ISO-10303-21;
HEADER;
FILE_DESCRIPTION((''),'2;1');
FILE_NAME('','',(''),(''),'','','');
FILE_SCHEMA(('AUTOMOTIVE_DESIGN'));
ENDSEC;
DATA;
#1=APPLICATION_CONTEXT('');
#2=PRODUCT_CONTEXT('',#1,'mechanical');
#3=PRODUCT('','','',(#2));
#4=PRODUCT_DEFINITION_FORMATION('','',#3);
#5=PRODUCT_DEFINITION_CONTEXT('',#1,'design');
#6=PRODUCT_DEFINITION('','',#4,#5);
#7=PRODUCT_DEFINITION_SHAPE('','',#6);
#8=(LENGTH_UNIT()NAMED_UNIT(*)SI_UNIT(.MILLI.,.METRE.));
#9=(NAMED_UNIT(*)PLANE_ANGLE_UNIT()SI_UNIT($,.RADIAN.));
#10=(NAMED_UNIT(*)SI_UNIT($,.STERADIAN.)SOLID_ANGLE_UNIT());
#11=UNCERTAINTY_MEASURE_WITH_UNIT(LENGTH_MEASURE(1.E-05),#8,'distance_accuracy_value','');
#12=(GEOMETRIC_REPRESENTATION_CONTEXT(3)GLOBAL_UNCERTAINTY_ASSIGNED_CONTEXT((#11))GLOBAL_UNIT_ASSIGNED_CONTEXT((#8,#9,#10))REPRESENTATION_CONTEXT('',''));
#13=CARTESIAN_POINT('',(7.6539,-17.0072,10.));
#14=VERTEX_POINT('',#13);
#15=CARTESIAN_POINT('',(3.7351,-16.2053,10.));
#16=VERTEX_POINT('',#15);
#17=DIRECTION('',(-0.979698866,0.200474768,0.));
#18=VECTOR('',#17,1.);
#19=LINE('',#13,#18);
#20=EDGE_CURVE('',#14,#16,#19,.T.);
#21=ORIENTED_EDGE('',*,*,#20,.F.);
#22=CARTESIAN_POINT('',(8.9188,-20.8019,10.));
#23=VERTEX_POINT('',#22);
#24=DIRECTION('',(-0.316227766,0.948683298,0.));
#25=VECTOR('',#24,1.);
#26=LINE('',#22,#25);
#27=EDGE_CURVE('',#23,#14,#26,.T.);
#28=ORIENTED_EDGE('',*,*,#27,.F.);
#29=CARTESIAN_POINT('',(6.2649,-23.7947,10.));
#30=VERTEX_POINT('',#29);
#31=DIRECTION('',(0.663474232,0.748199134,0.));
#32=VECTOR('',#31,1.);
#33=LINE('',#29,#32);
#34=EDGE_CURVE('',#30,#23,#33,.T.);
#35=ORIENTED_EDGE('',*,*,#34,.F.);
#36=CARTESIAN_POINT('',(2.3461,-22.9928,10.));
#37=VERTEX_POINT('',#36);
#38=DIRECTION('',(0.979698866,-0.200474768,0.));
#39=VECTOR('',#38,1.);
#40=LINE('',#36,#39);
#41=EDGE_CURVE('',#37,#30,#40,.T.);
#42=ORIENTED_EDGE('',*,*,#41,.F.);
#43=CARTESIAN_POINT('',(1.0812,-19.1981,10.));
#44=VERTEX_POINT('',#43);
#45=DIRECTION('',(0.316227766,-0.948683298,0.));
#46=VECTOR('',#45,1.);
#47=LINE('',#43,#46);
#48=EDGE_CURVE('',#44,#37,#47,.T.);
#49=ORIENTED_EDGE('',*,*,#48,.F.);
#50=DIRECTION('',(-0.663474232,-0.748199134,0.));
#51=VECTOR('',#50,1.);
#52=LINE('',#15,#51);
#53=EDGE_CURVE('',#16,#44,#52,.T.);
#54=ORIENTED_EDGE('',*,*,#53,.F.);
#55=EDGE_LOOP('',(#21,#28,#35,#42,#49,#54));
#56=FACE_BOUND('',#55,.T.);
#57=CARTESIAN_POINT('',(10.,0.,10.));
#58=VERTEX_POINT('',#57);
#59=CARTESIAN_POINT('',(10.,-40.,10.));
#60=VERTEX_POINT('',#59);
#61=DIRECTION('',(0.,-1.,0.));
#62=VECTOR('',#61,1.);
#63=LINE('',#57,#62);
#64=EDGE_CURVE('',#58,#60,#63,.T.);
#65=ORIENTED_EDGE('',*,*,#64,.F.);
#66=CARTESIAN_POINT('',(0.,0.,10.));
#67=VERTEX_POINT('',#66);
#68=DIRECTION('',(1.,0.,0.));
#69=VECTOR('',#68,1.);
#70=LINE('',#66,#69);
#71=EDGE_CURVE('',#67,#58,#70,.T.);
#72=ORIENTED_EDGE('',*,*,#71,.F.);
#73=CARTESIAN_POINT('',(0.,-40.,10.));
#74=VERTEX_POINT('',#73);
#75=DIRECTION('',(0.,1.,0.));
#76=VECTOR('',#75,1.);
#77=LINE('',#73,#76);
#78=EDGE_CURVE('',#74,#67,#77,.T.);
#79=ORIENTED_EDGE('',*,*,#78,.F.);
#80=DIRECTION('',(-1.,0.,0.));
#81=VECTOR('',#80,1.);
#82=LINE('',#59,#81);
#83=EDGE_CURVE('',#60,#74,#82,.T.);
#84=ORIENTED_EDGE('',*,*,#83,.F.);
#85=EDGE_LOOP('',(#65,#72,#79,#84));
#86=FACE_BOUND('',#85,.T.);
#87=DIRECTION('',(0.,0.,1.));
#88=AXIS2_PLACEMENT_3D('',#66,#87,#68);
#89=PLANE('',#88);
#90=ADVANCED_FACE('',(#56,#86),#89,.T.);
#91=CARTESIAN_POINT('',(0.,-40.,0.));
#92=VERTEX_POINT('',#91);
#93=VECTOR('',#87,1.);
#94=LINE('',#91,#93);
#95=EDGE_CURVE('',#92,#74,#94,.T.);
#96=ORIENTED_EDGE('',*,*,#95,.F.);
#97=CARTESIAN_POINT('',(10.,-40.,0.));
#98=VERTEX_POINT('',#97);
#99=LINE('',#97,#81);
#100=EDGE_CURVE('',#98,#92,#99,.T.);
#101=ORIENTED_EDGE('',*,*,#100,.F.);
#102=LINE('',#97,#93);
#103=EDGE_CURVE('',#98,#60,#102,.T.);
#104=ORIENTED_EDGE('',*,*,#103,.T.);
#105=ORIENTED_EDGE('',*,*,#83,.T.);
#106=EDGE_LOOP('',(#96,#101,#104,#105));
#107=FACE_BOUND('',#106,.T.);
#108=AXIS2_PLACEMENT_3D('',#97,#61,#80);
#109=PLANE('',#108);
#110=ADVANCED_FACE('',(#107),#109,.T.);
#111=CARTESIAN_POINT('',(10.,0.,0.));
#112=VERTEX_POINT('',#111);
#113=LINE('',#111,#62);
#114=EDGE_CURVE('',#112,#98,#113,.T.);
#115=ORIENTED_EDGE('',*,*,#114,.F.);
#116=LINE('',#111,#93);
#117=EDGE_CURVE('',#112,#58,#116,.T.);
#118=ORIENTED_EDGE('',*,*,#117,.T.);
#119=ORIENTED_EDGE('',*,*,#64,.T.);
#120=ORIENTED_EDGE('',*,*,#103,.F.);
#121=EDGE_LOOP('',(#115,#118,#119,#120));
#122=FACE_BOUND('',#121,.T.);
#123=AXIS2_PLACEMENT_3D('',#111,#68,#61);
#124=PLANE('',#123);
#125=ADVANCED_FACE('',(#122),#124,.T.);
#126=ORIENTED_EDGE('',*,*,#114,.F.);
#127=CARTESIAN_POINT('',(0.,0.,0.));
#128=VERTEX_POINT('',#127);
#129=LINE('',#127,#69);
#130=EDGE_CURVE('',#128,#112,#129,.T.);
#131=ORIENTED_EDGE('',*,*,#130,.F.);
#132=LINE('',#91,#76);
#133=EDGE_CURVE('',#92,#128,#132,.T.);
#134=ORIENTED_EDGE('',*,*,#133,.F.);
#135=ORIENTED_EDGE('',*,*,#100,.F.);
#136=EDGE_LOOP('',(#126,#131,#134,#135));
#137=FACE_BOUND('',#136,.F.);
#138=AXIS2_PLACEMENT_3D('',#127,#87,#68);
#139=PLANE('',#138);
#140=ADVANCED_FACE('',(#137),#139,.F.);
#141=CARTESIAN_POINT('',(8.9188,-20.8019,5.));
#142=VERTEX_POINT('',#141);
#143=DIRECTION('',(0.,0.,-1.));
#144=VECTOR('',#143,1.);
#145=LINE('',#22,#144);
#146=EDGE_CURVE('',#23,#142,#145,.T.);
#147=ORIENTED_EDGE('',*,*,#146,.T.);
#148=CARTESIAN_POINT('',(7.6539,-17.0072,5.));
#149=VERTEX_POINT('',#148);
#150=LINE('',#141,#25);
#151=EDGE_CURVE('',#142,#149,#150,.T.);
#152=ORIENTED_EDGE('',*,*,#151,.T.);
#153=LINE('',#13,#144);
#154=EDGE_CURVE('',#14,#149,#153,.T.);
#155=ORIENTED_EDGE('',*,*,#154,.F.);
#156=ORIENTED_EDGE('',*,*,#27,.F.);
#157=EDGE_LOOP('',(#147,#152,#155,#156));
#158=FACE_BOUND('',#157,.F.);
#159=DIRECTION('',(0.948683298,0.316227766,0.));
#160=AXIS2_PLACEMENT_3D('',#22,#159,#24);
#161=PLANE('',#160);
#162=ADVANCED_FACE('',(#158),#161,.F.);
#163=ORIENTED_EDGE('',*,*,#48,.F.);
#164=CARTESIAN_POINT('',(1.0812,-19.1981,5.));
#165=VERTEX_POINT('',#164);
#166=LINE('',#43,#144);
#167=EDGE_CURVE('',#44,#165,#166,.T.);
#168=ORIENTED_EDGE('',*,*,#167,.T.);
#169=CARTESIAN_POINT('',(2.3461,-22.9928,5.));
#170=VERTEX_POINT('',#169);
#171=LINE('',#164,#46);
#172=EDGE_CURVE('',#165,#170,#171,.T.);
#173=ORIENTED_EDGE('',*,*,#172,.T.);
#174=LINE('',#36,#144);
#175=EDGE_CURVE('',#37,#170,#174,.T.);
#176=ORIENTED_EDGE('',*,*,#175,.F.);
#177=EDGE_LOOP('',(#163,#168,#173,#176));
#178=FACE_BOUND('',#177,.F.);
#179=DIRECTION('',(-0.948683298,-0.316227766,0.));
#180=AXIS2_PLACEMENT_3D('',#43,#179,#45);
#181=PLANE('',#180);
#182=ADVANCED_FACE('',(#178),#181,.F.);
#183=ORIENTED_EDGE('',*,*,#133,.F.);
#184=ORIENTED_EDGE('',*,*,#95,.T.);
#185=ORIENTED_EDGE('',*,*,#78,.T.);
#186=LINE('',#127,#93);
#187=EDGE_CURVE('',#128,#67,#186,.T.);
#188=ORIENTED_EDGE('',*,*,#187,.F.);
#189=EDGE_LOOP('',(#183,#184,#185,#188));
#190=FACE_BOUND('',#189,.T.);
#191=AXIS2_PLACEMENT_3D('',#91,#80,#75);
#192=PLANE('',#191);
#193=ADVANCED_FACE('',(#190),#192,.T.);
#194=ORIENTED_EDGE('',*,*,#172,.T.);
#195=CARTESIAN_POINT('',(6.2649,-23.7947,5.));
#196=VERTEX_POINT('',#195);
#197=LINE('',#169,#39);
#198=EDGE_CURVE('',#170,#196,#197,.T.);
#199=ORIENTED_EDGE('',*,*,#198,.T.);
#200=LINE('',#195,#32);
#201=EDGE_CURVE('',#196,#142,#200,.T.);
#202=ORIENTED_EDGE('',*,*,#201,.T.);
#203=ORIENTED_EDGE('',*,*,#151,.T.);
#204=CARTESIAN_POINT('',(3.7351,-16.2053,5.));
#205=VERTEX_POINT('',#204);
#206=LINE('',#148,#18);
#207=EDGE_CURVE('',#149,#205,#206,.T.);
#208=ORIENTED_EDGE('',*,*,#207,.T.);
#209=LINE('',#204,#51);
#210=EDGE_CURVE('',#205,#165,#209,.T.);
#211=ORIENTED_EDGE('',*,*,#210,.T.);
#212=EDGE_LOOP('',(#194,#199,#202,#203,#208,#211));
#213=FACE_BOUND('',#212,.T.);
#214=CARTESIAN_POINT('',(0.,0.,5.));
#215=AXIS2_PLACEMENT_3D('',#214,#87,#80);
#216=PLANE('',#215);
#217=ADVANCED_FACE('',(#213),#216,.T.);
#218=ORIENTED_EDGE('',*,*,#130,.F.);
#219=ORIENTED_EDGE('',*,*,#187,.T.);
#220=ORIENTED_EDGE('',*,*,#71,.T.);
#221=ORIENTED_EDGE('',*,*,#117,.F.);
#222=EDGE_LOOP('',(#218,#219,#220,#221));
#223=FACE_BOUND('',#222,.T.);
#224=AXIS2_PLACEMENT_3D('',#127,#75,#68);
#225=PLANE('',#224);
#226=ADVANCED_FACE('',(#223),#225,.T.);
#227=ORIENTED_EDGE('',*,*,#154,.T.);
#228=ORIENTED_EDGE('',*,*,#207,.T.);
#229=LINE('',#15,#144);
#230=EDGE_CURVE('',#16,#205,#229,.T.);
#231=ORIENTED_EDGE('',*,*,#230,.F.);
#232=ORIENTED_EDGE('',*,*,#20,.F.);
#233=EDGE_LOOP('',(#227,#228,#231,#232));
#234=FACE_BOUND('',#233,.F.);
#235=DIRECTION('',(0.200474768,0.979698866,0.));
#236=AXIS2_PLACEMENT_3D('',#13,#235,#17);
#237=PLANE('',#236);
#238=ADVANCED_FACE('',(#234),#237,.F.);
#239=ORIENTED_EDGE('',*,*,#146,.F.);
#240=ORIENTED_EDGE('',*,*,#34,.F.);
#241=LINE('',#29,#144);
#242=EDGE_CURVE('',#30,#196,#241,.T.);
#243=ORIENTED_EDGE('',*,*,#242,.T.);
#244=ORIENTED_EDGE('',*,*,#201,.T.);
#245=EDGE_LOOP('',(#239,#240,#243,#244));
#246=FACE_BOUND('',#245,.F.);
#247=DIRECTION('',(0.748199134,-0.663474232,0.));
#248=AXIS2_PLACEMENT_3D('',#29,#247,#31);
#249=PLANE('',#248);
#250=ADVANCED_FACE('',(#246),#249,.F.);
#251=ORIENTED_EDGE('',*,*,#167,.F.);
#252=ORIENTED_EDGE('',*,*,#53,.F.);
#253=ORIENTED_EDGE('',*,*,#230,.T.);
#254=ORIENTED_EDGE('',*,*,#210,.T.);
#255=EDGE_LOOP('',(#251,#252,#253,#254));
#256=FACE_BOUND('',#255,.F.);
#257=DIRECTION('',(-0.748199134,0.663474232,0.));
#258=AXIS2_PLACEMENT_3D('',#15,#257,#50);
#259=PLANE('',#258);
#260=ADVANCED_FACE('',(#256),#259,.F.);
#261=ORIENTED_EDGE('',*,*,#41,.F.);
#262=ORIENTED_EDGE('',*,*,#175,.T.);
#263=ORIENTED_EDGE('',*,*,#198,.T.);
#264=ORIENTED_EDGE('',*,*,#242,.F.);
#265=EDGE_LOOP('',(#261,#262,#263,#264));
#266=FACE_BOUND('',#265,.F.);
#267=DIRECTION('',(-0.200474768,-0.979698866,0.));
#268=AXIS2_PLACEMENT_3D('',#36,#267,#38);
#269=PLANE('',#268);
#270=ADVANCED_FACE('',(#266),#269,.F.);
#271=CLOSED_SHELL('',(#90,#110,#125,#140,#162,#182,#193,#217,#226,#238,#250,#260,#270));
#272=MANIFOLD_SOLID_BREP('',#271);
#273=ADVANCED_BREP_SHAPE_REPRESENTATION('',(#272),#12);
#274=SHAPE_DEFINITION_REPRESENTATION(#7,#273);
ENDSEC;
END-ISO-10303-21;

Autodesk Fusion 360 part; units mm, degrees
sketch "Sketch1" plane through (0, 0, 0) normal (0, 0, 1) x (1, 0, 0)
  line L0 (0, 0) -> (10, 0)
  line L1 (10, 0) -> (10, -40)
  line L2 (10, -40) -> (0, -40)
  line L3 (0, -40) -> (0, 0)
  dimension "d1" = 40
  dimension "d2" = 10
extrude "Extrude1" add sketch "Sketch1" along normal blind 10
sketch "Sketch2" plane through (0, 0, 10) normal (0, 0, 1) x (-1, 0, 0)
  line L0 (0, 40) -> (-10, 40)
  line L1 (-10, 40) -> (-10, 0)
  line L2 (-10, 0) -> (0, 0)
  line L3 (0, 0) -> (0, 40)
  line L4 (-6.2649, 23.7947) -> (-8.9188, 20.8019)
  line L5 (-8.9188, 20.8019) -> (-7.6539, 17.0072)
  line L6 (-7.6539, 17.0072) -> (-3.7351, 16.2053)
  line L7 (-3.7351, 16.2053) -> (-1.0812, 19.1981)
  line L8 (-1.0812, 19.1981) -> (-2.3461, 22.9928)
  line L9 (-2.3461, 22.9928) -> (-6.2649, 23.7947)
  point P0 (-5, 20)
  dimension "d5" = 4
extrude "Extrude2" cut sketch "Sketch2" against normal blind 5 contours L4 L5 L6 L7 L8 L9
